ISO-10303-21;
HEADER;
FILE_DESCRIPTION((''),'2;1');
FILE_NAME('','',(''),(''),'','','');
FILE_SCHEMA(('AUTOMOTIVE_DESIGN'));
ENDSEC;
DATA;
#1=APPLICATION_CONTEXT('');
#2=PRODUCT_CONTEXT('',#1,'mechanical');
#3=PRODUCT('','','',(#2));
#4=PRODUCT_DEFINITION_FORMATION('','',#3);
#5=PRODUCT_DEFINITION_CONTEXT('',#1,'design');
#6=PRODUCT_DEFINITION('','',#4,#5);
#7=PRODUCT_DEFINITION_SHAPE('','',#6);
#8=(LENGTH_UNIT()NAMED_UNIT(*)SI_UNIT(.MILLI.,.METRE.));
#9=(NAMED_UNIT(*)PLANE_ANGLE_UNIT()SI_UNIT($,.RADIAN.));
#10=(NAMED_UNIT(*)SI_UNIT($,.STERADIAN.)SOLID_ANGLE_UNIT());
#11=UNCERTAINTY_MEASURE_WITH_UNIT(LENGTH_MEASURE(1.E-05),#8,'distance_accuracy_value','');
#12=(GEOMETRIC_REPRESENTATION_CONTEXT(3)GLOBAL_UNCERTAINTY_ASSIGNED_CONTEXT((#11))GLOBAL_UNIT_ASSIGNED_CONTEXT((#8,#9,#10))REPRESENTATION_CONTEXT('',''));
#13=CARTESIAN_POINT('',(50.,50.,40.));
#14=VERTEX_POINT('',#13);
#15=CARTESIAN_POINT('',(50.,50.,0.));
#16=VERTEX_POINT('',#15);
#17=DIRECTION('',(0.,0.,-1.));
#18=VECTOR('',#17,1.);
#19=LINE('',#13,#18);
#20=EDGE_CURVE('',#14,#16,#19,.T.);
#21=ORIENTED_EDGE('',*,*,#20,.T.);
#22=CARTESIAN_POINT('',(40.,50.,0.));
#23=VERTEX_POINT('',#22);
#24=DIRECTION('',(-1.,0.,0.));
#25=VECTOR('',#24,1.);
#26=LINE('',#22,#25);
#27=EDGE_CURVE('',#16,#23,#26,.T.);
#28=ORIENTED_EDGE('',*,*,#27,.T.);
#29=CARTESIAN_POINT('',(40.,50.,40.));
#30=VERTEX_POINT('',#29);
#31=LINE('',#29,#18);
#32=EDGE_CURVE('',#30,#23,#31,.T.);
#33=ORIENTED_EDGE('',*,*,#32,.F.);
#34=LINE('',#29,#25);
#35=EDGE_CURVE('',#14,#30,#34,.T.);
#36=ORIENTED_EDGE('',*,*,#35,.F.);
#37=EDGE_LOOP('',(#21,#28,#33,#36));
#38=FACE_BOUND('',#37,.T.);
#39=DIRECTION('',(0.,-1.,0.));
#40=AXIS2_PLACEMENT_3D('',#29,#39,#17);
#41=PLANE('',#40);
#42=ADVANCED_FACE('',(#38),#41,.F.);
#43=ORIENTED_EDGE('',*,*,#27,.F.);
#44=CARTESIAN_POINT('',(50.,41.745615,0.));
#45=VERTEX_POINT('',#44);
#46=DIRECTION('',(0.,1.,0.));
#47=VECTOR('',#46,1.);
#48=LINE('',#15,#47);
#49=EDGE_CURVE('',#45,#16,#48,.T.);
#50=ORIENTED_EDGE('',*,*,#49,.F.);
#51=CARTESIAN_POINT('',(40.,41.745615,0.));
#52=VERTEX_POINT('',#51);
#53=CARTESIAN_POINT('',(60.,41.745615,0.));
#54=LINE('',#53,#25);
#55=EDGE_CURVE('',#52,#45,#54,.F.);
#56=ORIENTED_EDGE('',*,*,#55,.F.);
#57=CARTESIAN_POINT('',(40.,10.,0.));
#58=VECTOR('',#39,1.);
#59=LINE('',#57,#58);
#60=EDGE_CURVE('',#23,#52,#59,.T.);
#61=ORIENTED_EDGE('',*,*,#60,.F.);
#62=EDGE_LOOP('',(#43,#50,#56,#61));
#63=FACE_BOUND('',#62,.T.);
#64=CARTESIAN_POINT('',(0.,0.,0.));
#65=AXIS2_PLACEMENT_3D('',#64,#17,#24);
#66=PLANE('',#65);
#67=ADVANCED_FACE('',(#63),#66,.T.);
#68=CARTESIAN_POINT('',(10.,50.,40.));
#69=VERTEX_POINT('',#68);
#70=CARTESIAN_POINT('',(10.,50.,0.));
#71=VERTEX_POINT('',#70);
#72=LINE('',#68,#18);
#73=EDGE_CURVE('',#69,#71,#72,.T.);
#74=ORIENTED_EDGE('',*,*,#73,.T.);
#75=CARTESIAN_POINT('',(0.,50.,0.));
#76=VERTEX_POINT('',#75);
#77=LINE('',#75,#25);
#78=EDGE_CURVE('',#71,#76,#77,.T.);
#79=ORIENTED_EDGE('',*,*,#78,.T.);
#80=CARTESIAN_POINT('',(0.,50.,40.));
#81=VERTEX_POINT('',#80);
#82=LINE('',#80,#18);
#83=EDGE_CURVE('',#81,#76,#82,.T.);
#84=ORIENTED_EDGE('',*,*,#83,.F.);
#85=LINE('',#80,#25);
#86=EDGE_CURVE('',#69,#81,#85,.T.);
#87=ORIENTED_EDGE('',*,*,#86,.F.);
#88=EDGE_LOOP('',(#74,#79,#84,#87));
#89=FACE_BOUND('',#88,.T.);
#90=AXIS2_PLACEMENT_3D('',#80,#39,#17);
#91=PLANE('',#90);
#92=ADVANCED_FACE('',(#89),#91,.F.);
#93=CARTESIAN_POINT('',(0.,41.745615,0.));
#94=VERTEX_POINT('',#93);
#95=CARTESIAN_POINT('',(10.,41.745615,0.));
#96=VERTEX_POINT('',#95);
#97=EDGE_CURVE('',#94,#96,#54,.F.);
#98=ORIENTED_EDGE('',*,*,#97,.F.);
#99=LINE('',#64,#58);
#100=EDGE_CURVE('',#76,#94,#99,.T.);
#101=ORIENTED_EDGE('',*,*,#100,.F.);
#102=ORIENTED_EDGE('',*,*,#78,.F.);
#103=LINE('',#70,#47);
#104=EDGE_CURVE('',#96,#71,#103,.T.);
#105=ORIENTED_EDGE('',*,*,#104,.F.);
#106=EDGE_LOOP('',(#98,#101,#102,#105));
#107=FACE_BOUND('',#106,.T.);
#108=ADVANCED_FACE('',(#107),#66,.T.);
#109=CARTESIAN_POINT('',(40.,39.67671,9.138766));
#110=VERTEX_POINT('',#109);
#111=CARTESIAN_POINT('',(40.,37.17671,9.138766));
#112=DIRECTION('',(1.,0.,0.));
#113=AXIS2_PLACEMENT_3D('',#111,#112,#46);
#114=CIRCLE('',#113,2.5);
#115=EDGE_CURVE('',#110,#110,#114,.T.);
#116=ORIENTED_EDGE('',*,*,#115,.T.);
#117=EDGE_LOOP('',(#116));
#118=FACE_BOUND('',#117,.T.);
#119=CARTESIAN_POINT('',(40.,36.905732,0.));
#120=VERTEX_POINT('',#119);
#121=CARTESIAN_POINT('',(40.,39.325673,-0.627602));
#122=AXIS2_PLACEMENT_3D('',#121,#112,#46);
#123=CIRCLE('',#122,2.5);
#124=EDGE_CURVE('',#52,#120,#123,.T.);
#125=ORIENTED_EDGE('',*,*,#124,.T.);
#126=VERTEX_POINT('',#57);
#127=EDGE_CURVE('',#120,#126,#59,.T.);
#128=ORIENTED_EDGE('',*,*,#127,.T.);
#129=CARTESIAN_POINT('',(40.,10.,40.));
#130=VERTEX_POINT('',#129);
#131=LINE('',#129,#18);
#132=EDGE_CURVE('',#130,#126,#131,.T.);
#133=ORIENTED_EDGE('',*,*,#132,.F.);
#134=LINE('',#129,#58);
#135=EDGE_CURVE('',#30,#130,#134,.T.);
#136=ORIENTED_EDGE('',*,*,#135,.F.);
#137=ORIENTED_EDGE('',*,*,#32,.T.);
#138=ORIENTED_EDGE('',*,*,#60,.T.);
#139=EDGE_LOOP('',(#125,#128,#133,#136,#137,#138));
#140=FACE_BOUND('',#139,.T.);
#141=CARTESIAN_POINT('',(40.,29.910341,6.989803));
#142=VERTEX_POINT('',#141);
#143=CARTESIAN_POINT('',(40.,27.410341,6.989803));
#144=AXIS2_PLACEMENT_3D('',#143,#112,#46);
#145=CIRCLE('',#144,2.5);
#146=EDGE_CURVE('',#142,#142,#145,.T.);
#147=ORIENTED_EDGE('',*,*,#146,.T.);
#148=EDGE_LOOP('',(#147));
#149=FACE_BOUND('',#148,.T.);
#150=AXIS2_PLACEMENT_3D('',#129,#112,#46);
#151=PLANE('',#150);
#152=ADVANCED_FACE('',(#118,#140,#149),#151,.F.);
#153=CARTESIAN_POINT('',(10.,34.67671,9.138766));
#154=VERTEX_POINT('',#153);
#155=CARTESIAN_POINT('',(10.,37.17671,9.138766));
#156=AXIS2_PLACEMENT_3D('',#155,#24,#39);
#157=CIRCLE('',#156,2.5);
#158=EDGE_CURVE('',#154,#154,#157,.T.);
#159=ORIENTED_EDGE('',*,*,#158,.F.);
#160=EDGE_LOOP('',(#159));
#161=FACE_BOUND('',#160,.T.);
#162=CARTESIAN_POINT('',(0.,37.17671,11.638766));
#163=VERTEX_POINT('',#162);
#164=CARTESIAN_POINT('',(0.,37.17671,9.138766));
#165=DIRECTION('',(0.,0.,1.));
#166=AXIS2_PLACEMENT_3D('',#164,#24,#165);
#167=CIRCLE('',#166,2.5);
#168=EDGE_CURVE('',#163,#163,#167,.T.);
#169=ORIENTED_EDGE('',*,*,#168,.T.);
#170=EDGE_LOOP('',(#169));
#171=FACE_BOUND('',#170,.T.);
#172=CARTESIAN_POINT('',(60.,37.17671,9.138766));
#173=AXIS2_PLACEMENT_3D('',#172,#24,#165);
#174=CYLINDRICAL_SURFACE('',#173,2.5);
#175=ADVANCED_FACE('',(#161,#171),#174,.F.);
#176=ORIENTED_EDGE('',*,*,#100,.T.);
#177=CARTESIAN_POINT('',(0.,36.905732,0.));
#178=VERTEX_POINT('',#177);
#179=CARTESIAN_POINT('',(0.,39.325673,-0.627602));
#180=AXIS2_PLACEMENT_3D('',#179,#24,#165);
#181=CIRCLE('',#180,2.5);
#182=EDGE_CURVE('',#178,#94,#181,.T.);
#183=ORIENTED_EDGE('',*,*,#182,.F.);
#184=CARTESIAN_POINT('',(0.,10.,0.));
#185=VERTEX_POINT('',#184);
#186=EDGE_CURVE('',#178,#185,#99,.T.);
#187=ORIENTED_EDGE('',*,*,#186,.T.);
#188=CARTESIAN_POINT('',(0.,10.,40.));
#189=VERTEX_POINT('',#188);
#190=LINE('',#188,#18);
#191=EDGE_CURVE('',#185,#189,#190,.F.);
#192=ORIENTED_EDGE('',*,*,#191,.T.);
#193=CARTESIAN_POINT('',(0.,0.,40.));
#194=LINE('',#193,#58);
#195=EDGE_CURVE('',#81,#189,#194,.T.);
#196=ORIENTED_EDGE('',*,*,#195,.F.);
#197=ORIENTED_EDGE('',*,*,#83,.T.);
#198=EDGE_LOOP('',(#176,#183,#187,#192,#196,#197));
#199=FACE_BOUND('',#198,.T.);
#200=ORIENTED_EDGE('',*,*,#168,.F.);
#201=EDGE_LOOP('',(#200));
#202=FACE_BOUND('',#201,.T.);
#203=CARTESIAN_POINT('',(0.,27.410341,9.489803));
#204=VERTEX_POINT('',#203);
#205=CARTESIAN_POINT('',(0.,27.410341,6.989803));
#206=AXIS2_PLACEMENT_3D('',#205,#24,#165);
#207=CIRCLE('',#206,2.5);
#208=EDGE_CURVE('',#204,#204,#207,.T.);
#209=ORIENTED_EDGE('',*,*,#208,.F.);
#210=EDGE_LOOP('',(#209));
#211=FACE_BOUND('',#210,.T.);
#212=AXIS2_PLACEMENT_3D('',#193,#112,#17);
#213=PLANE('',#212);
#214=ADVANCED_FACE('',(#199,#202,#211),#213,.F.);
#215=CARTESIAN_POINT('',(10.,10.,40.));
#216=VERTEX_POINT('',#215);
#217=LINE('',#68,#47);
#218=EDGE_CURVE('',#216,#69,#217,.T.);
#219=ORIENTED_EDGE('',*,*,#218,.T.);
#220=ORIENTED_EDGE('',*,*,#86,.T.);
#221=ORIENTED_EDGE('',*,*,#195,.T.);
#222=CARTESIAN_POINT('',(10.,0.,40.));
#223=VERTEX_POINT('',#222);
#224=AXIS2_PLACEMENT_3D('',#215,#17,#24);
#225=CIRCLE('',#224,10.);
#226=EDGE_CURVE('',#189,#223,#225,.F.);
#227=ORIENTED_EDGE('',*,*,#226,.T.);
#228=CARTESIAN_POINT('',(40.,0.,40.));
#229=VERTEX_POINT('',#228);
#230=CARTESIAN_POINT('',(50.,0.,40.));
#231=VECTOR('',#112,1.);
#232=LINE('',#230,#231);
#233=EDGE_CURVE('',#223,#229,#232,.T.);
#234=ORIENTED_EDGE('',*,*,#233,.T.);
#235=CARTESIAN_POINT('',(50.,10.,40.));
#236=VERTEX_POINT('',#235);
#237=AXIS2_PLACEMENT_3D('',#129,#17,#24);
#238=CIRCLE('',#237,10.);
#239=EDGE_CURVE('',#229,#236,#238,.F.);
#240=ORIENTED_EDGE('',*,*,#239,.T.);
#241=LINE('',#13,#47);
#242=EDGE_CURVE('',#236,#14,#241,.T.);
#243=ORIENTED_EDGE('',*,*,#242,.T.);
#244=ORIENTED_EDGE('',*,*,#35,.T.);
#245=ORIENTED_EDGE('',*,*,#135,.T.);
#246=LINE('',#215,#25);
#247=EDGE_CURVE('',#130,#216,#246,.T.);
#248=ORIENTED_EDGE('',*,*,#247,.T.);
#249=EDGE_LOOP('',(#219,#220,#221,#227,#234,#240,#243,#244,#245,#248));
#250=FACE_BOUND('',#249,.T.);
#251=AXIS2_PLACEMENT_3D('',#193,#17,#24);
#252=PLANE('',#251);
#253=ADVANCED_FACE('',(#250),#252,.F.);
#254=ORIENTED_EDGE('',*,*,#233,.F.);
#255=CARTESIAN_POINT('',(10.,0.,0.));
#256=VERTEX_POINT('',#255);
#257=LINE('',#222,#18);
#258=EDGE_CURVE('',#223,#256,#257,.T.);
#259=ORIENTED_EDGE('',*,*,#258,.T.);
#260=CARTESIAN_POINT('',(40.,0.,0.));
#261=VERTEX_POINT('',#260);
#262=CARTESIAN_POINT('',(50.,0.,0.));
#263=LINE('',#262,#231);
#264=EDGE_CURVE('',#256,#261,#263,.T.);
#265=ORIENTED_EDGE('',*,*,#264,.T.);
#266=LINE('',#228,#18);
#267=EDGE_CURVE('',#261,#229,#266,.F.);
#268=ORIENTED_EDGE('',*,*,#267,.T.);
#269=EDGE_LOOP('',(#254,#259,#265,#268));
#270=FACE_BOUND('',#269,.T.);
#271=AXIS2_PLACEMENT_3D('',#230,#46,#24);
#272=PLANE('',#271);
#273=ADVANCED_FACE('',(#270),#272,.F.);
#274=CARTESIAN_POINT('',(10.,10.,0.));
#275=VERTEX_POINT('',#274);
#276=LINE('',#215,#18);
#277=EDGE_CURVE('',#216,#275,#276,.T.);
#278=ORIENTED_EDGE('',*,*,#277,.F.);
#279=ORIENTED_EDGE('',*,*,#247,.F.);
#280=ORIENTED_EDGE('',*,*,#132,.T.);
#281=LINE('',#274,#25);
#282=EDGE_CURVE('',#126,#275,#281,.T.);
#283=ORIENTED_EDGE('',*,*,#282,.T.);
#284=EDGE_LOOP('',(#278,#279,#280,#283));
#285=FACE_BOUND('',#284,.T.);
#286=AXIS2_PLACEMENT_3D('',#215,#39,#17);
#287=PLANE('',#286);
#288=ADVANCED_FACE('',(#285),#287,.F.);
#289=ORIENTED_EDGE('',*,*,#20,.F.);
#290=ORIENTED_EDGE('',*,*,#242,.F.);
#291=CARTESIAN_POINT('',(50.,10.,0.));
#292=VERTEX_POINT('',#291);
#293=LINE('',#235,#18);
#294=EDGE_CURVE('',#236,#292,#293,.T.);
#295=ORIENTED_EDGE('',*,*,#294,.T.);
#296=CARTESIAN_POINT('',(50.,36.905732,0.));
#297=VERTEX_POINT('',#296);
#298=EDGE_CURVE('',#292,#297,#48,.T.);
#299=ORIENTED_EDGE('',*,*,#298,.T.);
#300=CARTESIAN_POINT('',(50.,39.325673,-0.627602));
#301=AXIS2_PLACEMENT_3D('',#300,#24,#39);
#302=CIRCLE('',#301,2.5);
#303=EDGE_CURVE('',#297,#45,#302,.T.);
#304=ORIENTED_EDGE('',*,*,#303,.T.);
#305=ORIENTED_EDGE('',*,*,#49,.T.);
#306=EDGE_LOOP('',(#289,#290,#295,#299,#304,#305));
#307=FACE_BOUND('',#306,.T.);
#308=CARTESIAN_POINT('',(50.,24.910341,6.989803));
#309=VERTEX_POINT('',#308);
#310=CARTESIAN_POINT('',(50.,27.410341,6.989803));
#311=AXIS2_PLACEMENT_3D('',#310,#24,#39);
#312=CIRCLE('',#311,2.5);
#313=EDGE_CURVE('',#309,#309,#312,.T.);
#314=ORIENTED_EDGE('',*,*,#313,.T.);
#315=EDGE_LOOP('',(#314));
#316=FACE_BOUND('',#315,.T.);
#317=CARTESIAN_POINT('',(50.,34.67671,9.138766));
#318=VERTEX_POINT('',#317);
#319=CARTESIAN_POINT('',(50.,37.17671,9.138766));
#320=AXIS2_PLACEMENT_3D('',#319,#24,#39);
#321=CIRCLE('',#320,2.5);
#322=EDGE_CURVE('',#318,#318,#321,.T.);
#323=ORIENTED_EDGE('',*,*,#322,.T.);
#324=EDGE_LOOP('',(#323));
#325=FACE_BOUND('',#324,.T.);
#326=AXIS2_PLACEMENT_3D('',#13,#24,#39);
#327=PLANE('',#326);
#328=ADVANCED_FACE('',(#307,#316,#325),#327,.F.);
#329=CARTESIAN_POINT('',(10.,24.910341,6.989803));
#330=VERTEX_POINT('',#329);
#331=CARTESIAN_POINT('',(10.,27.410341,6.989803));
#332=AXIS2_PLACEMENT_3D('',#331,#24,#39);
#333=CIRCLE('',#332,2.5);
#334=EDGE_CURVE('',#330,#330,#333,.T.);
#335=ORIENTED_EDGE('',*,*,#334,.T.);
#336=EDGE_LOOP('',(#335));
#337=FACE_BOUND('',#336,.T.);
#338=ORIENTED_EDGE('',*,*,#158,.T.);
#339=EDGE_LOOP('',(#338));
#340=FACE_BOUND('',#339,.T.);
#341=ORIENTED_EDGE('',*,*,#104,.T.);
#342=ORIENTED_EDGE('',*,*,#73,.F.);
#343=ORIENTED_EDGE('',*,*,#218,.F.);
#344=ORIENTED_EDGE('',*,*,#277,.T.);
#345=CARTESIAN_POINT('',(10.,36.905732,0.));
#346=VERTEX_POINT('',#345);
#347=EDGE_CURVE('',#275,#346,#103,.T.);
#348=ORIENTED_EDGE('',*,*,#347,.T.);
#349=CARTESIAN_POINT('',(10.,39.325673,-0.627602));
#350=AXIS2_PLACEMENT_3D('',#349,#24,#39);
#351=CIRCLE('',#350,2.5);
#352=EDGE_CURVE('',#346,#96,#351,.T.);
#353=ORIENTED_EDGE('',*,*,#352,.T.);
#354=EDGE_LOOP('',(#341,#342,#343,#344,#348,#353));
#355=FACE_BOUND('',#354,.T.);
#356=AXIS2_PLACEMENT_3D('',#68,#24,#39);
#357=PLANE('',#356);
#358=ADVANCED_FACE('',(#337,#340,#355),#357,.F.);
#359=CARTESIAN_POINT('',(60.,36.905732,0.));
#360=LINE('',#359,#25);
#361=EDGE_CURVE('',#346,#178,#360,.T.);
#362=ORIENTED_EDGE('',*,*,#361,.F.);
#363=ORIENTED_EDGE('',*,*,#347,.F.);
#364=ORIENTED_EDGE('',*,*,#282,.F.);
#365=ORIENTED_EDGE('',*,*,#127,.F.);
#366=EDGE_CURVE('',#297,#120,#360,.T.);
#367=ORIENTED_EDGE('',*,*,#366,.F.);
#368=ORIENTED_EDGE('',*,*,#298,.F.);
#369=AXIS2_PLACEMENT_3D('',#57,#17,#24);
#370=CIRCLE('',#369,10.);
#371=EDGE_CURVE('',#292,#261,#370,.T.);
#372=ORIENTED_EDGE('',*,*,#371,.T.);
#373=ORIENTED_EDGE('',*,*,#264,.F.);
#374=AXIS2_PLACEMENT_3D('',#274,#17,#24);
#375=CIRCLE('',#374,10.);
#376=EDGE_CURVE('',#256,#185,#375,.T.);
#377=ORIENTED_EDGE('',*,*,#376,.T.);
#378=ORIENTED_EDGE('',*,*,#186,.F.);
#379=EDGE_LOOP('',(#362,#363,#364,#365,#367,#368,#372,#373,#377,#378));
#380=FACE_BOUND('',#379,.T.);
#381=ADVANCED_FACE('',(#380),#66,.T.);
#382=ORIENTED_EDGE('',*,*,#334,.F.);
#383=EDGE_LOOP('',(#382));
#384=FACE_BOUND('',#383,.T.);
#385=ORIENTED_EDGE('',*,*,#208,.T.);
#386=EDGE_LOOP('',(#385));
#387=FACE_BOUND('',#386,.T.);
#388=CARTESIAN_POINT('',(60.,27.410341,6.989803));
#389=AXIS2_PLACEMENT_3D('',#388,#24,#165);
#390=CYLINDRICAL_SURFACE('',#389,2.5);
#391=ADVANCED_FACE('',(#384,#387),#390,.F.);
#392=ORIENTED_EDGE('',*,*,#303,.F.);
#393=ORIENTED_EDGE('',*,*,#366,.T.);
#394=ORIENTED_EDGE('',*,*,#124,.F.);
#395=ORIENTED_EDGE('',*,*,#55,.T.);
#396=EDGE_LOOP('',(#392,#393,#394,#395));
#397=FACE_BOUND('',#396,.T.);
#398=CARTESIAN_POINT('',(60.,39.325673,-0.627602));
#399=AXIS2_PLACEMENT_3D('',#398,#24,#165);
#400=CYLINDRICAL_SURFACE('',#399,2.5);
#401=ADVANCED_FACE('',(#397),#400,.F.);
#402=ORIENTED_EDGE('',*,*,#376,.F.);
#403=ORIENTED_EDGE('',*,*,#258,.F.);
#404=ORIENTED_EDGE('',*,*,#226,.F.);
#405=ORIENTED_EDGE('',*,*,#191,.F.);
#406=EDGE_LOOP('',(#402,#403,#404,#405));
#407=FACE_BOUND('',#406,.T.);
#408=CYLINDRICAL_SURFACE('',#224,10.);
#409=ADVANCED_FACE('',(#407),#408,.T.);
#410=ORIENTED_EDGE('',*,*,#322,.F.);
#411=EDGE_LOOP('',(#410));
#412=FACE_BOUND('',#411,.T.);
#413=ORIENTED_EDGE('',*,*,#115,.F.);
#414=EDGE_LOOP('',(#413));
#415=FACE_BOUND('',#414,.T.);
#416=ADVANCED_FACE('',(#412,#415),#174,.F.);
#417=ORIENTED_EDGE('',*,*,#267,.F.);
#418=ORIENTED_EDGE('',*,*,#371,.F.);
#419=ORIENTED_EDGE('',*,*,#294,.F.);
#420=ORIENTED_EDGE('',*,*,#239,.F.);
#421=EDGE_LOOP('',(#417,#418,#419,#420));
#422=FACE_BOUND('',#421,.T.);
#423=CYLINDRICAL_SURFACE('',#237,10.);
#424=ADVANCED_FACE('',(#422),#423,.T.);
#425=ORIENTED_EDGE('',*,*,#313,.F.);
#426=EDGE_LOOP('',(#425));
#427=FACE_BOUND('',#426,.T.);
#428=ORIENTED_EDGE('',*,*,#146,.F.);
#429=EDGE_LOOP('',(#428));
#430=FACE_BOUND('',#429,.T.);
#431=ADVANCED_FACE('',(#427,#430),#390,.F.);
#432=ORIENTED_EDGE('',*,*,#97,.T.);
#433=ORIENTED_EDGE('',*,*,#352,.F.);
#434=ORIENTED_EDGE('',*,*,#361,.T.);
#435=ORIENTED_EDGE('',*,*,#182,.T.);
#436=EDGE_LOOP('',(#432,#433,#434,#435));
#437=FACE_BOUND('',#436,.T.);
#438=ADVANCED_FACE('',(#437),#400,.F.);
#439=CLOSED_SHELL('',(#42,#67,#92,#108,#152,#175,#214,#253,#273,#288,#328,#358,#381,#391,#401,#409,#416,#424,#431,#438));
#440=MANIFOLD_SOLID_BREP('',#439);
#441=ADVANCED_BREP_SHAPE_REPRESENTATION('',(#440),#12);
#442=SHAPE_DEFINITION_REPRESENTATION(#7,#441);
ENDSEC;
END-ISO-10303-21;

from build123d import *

# Parameters (mm, degrees)
RESSALTO_EXTRUS_O1_DEPTH = 40
FILETE1_R                = 10
ESBO_O3_R                = 2.5
CORTE_EXTRUS_O1_DEPTH    = 60


with BuildPart() as part:
    # Esboço1 → Ressalto-extrusão1 (new body)
    with BuildSketch(Plane.XY):
        Polygon((0, 0), (0, 50), (10, 50), (10, 10), (40, 10), (40, 50), (50, 50), (50, 0), align=None)
    extrude(amount=RESSALTO_EXTRUS_O1_DEPTH)

    # Filete1
    filete1_edges = [part.edges().sort_by_distance(p)[0] for p in [
        (0, 0, 20),
        (50, 0, 20),
    ]]
    fillet(filete1_edges, radius=FILETE1_R)

    # Esboço3 → Corte-extrusão1 (cut)
    with BuildSketch(Plane.ZY):
        with Locations((-0.627602125, 39.325673362)):
            Circle(ESBO_O3_R)
        with Locations((9.138766469, 37.17670978)):
            Circle(ESBO_O3_R)
        with Locations((6.989802887, 27.410341185)):
            Circle(ESBO_O3_R)
        with Locations((-2.776565708, 29.559304768)):
            Circle(ESBO_O3_R)
    extrude(amount=-CORTE_EXTRUS_O1_DEPTH, mode=Mode.SUBTRACT)


solid = part.part
